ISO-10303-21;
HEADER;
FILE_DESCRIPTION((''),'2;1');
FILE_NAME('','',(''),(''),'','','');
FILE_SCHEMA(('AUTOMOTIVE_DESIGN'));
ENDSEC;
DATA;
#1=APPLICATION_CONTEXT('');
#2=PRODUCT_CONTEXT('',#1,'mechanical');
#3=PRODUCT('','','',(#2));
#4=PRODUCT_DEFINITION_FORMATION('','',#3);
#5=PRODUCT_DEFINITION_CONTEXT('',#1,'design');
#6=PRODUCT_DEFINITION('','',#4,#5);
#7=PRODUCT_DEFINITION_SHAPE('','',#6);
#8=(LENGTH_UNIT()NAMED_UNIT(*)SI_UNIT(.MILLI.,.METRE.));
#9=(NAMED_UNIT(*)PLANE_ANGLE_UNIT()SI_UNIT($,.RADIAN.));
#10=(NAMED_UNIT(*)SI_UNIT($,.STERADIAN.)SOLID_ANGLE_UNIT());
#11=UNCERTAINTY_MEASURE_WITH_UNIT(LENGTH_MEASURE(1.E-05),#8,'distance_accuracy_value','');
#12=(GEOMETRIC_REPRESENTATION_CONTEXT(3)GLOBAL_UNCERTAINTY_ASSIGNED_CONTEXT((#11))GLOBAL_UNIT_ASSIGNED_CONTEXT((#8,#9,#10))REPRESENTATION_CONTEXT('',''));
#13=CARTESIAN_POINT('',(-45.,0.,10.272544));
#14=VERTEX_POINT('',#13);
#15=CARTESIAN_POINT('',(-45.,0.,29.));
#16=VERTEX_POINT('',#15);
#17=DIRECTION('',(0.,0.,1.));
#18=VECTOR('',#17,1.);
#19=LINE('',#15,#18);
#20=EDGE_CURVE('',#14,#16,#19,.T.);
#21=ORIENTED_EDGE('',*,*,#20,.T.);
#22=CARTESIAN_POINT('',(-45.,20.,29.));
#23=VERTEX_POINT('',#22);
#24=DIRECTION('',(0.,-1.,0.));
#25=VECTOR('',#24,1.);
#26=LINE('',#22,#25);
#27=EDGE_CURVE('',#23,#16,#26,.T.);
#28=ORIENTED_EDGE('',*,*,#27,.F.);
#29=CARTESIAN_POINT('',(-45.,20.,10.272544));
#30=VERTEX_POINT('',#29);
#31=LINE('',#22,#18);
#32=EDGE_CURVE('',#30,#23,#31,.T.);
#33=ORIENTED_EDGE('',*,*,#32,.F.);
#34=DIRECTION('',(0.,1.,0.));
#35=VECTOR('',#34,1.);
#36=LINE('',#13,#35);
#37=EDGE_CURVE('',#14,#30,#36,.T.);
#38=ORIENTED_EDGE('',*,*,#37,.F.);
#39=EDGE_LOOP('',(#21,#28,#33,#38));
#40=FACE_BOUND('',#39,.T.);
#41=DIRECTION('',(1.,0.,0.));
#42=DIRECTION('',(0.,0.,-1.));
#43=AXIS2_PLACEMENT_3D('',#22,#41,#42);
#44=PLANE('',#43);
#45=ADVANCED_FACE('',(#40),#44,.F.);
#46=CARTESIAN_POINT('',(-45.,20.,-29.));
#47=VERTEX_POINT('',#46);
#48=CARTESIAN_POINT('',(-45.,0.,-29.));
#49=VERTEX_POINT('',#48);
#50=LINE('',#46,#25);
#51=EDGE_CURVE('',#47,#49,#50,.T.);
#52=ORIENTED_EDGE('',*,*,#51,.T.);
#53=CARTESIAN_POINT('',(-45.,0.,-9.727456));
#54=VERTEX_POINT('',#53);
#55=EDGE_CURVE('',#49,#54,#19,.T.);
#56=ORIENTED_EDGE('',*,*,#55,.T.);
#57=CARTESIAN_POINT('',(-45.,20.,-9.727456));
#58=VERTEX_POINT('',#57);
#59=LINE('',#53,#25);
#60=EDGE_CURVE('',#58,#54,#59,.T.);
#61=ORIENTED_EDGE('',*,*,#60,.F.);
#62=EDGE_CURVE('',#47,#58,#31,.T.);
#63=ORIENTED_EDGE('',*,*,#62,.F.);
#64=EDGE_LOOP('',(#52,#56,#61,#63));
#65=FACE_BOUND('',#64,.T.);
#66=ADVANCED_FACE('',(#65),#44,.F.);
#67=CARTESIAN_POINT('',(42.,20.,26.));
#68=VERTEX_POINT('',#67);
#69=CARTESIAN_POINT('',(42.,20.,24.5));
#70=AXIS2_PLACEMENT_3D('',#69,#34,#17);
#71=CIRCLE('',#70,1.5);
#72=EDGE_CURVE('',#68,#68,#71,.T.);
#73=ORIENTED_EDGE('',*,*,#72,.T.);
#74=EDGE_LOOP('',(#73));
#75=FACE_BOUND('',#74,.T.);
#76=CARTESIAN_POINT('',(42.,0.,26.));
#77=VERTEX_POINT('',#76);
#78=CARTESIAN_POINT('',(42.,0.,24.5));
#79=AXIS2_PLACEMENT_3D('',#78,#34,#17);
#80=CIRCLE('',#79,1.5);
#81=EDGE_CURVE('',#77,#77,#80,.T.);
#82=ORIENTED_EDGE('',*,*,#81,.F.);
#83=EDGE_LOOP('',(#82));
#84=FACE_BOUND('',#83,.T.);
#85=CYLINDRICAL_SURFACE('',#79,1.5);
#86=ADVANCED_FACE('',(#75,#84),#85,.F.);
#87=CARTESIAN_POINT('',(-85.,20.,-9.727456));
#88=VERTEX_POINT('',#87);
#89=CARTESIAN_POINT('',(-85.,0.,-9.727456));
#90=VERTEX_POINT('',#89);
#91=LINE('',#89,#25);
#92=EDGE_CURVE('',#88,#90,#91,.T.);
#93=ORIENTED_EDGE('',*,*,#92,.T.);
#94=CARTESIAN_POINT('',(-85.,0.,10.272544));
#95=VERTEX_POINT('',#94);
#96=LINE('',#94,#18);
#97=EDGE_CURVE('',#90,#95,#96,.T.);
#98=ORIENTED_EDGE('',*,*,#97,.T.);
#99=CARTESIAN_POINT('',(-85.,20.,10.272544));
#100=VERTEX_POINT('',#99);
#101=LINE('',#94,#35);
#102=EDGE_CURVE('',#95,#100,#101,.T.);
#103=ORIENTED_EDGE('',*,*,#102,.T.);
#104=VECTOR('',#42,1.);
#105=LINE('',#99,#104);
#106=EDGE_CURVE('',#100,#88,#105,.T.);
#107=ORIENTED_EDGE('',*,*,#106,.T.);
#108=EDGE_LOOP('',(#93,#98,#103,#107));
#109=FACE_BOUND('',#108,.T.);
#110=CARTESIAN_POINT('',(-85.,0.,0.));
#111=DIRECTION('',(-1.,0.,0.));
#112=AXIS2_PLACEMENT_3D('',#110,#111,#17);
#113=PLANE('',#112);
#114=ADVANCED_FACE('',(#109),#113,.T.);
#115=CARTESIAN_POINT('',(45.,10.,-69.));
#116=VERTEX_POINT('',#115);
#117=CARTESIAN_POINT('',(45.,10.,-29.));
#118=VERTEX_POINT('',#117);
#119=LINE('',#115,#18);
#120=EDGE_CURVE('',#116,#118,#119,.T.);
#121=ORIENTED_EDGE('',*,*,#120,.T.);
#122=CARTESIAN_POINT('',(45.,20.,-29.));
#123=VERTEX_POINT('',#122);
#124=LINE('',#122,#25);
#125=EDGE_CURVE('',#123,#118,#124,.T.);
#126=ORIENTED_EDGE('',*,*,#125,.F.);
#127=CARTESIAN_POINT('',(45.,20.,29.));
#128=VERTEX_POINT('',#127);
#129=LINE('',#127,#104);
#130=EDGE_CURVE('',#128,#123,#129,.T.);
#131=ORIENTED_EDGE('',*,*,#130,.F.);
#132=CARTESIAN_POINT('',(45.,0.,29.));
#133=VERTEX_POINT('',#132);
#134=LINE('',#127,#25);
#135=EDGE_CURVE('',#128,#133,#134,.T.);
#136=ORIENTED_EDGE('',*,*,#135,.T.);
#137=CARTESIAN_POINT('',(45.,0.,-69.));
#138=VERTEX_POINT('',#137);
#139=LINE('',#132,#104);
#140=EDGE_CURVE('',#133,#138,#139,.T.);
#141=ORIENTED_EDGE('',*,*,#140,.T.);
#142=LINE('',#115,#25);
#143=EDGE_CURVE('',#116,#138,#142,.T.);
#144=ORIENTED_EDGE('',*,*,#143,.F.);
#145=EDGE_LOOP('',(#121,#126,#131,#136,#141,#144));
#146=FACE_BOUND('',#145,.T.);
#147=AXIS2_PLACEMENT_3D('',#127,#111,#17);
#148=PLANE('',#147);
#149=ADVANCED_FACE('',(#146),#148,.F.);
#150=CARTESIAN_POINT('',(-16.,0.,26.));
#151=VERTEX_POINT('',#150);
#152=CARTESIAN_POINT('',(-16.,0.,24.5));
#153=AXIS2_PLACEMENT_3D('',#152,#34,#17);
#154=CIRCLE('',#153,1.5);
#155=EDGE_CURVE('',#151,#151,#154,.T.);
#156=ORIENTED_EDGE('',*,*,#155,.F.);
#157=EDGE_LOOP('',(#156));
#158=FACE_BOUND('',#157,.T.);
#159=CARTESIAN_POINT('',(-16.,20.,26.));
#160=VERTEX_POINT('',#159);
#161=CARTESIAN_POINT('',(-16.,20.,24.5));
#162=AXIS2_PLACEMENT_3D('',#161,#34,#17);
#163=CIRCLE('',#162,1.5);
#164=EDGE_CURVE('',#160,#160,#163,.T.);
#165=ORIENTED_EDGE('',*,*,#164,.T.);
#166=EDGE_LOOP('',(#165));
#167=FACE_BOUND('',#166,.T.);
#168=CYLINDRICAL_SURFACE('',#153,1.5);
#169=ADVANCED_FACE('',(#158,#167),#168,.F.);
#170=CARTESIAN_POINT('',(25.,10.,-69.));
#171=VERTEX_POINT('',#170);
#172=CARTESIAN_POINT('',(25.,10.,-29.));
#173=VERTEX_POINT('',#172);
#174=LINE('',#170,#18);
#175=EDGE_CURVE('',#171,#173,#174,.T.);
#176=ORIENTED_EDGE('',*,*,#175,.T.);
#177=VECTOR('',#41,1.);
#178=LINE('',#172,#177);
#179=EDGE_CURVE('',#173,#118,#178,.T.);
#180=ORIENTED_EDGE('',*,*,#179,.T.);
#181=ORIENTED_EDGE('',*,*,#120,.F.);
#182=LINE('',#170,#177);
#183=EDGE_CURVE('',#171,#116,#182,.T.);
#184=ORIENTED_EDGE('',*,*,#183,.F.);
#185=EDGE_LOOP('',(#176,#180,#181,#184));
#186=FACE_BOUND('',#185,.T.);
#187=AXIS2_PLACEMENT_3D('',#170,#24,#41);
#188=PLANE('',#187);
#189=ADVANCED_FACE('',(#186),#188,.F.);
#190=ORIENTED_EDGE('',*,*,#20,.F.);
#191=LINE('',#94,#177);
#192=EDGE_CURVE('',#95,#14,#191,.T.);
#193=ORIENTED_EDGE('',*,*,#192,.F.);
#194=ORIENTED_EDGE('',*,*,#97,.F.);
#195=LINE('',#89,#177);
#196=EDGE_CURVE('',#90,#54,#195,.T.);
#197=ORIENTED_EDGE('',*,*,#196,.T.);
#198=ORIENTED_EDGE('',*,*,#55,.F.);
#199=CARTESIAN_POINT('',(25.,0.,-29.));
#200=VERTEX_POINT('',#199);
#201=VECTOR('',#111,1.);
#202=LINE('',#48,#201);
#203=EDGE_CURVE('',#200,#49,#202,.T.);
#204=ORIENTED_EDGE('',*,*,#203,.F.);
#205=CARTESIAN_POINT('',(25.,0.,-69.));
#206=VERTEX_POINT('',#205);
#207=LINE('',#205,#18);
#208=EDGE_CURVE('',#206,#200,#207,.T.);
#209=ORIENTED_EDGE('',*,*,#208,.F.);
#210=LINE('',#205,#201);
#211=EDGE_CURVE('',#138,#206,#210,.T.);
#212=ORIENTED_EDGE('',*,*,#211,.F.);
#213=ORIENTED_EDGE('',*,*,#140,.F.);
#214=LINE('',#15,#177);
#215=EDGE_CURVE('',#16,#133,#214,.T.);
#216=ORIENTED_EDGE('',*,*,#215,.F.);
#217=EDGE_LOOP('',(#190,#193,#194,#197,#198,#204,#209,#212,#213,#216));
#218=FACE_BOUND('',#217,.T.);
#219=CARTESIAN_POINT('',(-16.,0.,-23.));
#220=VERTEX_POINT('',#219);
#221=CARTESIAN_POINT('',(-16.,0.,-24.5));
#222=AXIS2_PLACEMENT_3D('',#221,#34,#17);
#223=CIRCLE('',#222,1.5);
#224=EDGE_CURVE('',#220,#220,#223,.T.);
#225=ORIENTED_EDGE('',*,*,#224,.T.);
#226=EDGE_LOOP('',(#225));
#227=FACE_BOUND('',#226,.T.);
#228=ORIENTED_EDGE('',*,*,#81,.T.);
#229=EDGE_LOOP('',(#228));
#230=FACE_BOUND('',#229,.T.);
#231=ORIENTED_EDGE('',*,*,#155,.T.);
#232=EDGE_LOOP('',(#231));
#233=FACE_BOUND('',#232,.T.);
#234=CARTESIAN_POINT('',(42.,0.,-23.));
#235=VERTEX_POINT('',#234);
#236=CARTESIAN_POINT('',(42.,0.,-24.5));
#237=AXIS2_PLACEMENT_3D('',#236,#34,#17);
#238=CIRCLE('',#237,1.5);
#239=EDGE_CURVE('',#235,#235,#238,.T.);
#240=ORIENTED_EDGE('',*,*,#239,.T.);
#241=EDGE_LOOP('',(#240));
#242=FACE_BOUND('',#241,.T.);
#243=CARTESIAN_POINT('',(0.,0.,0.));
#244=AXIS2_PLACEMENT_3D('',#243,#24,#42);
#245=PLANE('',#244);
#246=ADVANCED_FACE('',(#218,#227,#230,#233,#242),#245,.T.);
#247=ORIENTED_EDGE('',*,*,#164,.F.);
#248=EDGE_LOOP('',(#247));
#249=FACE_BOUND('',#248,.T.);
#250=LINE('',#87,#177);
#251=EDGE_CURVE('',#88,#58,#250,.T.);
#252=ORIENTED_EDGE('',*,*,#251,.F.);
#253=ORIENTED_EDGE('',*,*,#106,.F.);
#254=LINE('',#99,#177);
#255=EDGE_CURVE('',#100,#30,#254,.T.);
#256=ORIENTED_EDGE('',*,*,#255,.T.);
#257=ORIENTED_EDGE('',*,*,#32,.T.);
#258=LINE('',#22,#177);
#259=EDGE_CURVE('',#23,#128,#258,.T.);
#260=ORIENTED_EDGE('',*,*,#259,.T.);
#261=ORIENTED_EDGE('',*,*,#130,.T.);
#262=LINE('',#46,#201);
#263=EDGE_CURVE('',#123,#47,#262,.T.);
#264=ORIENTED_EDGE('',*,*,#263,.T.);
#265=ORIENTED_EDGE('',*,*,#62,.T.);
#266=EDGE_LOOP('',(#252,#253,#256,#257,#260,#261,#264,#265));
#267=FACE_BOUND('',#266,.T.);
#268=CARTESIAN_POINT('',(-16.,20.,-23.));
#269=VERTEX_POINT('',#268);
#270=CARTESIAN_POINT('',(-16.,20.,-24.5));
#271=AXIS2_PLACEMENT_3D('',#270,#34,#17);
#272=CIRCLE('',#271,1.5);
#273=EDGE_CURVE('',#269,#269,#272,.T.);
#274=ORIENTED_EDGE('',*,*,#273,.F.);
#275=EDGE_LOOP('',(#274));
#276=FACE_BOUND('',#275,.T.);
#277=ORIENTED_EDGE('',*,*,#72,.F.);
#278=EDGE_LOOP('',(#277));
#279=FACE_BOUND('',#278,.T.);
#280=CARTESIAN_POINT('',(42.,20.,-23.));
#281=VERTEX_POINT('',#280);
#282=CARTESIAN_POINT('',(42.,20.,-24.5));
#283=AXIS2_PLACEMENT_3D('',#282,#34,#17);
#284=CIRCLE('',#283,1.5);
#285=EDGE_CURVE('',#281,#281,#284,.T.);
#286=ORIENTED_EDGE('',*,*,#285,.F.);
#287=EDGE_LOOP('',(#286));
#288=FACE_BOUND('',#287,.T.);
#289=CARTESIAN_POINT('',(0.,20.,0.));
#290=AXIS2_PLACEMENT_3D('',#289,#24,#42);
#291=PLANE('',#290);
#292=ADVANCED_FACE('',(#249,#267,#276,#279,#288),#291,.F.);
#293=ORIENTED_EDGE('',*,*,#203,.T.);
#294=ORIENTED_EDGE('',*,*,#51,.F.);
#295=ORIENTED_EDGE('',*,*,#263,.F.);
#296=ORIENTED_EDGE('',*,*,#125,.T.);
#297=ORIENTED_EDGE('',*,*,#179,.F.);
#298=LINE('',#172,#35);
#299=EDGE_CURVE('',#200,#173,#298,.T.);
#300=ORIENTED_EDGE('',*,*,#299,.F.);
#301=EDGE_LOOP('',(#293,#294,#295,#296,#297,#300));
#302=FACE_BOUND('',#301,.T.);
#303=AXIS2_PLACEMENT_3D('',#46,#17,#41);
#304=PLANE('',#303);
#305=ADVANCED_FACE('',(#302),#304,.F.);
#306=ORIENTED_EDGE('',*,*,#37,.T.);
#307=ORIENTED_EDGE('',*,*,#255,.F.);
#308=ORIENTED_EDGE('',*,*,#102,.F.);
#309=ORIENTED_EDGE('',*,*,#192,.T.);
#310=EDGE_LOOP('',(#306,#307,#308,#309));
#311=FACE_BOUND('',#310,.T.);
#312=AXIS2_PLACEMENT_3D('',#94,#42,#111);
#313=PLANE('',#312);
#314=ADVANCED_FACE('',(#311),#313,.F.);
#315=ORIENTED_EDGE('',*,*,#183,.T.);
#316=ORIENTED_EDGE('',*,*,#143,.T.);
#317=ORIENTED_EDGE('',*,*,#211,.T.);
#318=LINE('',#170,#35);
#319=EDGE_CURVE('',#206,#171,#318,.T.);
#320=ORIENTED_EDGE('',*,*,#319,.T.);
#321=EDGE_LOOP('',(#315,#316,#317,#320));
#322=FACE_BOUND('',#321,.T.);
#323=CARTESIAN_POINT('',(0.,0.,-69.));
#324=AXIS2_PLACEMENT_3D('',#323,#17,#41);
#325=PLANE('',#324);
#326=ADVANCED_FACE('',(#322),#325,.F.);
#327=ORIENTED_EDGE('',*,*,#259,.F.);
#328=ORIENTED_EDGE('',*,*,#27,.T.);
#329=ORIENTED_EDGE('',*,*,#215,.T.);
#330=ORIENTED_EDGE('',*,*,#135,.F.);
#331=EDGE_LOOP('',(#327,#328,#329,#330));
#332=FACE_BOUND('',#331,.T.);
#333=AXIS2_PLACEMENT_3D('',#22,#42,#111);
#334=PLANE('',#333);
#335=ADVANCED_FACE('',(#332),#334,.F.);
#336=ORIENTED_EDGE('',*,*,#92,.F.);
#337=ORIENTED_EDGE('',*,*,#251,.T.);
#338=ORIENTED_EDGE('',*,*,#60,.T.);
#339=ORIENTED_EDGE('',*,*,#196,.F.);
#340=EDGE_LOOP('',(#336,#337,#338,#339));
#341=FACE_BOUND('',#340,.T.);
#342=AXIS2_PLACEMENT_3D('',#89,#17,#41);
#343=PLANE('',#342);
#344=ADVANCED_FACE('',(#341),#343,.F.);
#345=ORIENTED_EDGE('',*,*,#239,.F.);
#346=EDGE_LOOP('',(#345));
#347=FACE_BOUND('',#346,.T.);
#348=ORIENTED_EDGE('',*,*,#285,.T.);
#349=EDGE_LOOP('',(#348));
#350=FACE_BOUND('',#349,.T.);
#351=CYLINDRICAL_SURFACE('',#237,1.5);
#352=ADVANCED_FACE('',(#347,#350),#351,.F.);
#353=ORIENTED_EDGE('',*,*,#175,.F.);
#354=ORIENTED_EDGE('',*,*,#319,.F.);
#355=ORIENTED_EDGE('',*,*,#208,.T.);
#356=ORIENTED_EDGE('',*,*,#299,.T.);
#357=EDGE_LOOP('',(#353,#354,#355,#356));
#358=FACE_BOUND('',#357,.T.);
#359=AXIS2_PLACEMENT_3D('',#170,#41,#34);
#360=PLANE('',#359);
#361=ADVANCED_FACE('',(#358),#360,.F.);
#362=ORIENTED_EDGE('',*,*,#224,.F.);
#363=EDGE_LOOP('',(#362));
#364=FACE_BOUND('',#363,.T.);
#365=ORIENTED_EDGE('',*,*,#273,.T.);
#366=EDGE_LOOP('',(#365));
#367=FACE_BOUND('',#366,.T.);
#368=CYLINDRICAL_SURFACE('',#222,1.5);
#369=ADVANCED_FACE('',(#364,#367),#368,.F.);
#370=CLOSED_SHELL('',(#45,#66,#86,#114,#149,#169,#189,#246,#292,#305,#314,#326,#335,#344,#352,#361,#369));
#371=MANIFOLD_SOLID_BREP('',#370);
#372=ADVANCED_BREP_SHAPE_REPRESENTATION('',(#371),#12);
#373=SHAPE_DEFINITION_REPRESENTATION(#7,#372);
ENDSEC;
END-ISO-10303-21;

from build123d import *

# Parameters (mm, degrees)
SKETCH1_W           = 90
SKETCH1_H           = 58
BOSS_EXTRUDE1_DEPTH = 20
SKETCH2_R           = 1.5
CUT_EXTRUDE1_DEPTH  = 20
SKETCH3_W           = 20
SKETCH3_H           = 10
BOSS_EXTRUDE2_DEPTH = 40
SKETCH4_W           = 20
SKETCH4_H           = 20
BOSS_EXTRUDE3_DEPTH = 40


with BuildPart() as part:
    # Sketch1 → Boss-Extrude1 (new body)
    with BuildSketch(Plane(origin=(0, 0, 0), x_dir=(1, 0, 0), z_dir=(0, 1, 0))):
        Rectangle(SKETCH1_W, SKETCH1_H)
    extrude(amount=BOSS_EXTRUDE1_DEPTH)

    # Sketch2 → Cut-Extrude1 (cut)
    with BuildSketch(Plane(origin=(0, 20, 0), x_dir=(1, 0, 0), z_dir=(0, 1, 0))):
        with Locations((42, 24.5)):
            Circle(SKETCH2_R)
        with Locations((42, -24.5)):
            Circle(SKETCH2_R)
        with Locations((-16, 24.5)):
            Circle(SKETCH2_R)
        with Locations((-16, -24.5)):
            Circle(SKETCH2_R)
    extrude(amount=-CUT_EXTRUDE1_DEPTH, mode=Mode.SUBTRACT)

    # Sketch3 → Boss-Extrude2 (add)
    with BuildSketch(Plane(origin=(0, 0, -29), x_dir=(-1, 0, 0), z_dir=(0, 0, -1))):
        with Locations((-35, 5)):
            Rectangle(SKETCH3_W, SKETCH3_H)
    extrude(amount=BOSS_EXTRUDE2_DEPTH)

    # Sketch4 → Boss-Extrude3 (add)
    with BuildSketch(Plane.ZY.offset(45)):
        with Locations((0.272543659, 10)):
            Rectangle(SKETCH4_W, SKETCH4_H)
    extrude(amount=BOSS_EXTRUDE3_DEPTH)


solid = part.part
